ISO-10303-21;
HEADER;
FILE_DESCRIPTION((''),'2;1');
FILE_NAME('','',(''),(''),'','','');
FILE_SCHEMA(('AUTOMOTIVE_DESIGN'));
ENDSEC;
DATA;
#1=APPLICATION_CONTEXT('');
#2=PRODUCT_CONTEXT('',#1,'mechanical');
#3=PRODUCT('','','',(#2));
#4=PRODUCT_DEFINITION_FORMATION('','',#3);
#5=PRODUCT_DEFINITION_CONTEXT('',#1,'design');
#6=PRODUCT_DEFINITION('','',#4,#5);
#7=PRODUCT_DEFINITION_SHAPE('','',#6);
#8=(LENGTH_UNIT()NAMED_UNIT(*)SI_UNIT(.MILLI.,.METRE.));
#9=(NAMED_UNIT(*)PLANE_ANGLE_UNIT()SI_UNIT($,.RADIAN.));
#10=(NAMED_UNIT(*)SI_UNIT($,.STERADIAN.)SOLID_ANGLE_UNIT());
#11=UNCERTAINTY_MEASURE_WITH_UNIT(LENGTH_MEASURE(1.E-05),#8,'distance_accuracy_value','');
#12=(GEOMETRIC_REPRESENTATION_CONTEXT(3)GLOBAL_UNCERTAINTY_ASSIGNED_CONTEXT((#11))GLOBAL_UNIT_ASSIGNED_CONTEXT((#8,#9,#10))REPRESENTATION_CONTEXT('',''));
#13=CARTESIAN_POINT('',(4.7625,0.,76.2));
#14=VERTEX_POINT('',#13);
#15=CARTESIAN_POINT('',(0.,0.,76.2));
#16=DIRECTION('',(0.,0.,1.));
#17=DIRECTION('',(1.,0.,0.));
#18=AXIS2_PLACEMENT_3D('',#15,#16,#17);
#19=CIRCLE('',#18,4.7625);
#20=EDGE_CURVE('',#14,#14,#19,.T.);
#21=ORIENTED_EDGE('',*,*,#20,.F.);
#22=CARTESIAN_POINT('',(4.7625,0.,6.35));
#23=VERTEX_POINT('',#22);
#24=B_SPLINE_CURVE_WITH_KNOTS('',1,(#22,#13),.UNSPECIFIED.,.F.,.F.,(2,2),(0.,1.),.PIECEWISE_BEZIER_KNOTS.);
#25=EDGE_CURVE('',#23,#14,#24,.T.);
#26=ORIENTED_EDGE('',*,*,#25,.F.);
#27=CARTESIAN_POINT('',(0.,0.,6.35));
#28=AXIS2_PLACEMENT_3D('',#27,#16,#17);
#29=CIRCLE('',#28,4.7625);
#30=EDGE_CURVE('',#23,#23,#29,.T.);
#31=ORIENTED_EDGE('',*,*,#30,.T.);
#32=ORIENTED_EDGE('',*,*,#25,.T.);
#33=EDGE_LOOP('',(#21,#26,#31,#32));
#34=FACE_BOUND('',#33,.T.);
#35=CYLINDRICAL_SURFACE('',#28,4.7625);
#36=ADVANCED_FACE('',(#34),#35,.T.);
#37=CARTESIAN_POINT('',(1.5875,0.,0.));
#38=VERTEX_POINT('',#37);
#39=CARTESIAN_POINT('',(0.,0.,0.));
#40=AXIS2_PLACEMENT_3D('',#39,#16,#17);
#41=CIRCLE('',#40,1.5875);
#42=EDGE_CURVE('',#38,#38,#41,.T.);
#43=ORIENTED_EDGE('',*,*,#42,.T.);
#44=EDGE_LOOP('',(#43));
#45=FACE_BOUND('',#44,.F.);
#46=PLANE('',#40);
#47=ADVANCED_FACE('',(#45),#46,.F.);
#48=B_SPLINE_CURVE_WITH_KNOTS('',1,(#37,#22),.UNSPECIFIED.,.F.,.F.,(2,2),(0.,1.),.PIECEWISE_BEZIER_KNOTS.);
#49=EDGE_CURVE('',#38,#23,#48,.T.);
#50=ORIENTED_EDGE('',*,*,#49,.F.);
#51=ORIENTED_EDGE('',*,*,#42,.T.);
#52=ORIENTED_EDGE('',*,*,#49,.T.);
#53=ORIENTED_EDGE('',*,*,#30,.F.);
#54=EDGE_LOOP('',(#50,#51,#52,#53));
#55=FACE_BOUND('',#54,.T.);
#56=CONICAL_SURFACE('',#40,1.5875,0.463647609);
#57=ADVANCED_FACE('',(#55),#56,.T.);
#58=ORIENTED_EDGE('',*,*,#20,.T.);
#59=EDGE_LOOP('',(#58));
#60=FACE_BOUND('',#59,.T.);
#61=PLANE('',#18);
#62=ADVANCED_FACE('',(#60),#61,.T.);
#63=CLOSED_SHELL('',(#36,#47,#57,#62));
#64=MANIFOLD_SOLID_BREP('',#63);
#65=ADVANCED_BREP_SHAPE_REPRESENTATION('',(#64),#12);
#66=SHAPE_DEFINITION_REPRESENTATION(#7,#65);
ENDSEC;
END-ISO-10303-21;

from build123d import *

# Parameters (mm, degrees)
F0_R = 1.5875
F2_R = 4.7625
F4_R = 4.7625


with BuildPart() as f5:
    # F0 (on Top) → F5 section 0
    with BuildSketch(Plane.XY):
        Circle(F0_R)
    # F2 (on offset) → F5 section 1
    with BuildSketch(Plane.XY.offset(6.35)):
        Circle(F2_R)
    loft()

    # F2 (on offset) → F6 section 0
    with BuildSketch(Plane.XY.offset(6.35)):
        Circle(F2_R)
    # F4 (on offset) → F6 section 1
    with BuildSketch(Plane.XY.offset(76.2)):
        Circle(F4_R)
    loft()


solid = f5.part
